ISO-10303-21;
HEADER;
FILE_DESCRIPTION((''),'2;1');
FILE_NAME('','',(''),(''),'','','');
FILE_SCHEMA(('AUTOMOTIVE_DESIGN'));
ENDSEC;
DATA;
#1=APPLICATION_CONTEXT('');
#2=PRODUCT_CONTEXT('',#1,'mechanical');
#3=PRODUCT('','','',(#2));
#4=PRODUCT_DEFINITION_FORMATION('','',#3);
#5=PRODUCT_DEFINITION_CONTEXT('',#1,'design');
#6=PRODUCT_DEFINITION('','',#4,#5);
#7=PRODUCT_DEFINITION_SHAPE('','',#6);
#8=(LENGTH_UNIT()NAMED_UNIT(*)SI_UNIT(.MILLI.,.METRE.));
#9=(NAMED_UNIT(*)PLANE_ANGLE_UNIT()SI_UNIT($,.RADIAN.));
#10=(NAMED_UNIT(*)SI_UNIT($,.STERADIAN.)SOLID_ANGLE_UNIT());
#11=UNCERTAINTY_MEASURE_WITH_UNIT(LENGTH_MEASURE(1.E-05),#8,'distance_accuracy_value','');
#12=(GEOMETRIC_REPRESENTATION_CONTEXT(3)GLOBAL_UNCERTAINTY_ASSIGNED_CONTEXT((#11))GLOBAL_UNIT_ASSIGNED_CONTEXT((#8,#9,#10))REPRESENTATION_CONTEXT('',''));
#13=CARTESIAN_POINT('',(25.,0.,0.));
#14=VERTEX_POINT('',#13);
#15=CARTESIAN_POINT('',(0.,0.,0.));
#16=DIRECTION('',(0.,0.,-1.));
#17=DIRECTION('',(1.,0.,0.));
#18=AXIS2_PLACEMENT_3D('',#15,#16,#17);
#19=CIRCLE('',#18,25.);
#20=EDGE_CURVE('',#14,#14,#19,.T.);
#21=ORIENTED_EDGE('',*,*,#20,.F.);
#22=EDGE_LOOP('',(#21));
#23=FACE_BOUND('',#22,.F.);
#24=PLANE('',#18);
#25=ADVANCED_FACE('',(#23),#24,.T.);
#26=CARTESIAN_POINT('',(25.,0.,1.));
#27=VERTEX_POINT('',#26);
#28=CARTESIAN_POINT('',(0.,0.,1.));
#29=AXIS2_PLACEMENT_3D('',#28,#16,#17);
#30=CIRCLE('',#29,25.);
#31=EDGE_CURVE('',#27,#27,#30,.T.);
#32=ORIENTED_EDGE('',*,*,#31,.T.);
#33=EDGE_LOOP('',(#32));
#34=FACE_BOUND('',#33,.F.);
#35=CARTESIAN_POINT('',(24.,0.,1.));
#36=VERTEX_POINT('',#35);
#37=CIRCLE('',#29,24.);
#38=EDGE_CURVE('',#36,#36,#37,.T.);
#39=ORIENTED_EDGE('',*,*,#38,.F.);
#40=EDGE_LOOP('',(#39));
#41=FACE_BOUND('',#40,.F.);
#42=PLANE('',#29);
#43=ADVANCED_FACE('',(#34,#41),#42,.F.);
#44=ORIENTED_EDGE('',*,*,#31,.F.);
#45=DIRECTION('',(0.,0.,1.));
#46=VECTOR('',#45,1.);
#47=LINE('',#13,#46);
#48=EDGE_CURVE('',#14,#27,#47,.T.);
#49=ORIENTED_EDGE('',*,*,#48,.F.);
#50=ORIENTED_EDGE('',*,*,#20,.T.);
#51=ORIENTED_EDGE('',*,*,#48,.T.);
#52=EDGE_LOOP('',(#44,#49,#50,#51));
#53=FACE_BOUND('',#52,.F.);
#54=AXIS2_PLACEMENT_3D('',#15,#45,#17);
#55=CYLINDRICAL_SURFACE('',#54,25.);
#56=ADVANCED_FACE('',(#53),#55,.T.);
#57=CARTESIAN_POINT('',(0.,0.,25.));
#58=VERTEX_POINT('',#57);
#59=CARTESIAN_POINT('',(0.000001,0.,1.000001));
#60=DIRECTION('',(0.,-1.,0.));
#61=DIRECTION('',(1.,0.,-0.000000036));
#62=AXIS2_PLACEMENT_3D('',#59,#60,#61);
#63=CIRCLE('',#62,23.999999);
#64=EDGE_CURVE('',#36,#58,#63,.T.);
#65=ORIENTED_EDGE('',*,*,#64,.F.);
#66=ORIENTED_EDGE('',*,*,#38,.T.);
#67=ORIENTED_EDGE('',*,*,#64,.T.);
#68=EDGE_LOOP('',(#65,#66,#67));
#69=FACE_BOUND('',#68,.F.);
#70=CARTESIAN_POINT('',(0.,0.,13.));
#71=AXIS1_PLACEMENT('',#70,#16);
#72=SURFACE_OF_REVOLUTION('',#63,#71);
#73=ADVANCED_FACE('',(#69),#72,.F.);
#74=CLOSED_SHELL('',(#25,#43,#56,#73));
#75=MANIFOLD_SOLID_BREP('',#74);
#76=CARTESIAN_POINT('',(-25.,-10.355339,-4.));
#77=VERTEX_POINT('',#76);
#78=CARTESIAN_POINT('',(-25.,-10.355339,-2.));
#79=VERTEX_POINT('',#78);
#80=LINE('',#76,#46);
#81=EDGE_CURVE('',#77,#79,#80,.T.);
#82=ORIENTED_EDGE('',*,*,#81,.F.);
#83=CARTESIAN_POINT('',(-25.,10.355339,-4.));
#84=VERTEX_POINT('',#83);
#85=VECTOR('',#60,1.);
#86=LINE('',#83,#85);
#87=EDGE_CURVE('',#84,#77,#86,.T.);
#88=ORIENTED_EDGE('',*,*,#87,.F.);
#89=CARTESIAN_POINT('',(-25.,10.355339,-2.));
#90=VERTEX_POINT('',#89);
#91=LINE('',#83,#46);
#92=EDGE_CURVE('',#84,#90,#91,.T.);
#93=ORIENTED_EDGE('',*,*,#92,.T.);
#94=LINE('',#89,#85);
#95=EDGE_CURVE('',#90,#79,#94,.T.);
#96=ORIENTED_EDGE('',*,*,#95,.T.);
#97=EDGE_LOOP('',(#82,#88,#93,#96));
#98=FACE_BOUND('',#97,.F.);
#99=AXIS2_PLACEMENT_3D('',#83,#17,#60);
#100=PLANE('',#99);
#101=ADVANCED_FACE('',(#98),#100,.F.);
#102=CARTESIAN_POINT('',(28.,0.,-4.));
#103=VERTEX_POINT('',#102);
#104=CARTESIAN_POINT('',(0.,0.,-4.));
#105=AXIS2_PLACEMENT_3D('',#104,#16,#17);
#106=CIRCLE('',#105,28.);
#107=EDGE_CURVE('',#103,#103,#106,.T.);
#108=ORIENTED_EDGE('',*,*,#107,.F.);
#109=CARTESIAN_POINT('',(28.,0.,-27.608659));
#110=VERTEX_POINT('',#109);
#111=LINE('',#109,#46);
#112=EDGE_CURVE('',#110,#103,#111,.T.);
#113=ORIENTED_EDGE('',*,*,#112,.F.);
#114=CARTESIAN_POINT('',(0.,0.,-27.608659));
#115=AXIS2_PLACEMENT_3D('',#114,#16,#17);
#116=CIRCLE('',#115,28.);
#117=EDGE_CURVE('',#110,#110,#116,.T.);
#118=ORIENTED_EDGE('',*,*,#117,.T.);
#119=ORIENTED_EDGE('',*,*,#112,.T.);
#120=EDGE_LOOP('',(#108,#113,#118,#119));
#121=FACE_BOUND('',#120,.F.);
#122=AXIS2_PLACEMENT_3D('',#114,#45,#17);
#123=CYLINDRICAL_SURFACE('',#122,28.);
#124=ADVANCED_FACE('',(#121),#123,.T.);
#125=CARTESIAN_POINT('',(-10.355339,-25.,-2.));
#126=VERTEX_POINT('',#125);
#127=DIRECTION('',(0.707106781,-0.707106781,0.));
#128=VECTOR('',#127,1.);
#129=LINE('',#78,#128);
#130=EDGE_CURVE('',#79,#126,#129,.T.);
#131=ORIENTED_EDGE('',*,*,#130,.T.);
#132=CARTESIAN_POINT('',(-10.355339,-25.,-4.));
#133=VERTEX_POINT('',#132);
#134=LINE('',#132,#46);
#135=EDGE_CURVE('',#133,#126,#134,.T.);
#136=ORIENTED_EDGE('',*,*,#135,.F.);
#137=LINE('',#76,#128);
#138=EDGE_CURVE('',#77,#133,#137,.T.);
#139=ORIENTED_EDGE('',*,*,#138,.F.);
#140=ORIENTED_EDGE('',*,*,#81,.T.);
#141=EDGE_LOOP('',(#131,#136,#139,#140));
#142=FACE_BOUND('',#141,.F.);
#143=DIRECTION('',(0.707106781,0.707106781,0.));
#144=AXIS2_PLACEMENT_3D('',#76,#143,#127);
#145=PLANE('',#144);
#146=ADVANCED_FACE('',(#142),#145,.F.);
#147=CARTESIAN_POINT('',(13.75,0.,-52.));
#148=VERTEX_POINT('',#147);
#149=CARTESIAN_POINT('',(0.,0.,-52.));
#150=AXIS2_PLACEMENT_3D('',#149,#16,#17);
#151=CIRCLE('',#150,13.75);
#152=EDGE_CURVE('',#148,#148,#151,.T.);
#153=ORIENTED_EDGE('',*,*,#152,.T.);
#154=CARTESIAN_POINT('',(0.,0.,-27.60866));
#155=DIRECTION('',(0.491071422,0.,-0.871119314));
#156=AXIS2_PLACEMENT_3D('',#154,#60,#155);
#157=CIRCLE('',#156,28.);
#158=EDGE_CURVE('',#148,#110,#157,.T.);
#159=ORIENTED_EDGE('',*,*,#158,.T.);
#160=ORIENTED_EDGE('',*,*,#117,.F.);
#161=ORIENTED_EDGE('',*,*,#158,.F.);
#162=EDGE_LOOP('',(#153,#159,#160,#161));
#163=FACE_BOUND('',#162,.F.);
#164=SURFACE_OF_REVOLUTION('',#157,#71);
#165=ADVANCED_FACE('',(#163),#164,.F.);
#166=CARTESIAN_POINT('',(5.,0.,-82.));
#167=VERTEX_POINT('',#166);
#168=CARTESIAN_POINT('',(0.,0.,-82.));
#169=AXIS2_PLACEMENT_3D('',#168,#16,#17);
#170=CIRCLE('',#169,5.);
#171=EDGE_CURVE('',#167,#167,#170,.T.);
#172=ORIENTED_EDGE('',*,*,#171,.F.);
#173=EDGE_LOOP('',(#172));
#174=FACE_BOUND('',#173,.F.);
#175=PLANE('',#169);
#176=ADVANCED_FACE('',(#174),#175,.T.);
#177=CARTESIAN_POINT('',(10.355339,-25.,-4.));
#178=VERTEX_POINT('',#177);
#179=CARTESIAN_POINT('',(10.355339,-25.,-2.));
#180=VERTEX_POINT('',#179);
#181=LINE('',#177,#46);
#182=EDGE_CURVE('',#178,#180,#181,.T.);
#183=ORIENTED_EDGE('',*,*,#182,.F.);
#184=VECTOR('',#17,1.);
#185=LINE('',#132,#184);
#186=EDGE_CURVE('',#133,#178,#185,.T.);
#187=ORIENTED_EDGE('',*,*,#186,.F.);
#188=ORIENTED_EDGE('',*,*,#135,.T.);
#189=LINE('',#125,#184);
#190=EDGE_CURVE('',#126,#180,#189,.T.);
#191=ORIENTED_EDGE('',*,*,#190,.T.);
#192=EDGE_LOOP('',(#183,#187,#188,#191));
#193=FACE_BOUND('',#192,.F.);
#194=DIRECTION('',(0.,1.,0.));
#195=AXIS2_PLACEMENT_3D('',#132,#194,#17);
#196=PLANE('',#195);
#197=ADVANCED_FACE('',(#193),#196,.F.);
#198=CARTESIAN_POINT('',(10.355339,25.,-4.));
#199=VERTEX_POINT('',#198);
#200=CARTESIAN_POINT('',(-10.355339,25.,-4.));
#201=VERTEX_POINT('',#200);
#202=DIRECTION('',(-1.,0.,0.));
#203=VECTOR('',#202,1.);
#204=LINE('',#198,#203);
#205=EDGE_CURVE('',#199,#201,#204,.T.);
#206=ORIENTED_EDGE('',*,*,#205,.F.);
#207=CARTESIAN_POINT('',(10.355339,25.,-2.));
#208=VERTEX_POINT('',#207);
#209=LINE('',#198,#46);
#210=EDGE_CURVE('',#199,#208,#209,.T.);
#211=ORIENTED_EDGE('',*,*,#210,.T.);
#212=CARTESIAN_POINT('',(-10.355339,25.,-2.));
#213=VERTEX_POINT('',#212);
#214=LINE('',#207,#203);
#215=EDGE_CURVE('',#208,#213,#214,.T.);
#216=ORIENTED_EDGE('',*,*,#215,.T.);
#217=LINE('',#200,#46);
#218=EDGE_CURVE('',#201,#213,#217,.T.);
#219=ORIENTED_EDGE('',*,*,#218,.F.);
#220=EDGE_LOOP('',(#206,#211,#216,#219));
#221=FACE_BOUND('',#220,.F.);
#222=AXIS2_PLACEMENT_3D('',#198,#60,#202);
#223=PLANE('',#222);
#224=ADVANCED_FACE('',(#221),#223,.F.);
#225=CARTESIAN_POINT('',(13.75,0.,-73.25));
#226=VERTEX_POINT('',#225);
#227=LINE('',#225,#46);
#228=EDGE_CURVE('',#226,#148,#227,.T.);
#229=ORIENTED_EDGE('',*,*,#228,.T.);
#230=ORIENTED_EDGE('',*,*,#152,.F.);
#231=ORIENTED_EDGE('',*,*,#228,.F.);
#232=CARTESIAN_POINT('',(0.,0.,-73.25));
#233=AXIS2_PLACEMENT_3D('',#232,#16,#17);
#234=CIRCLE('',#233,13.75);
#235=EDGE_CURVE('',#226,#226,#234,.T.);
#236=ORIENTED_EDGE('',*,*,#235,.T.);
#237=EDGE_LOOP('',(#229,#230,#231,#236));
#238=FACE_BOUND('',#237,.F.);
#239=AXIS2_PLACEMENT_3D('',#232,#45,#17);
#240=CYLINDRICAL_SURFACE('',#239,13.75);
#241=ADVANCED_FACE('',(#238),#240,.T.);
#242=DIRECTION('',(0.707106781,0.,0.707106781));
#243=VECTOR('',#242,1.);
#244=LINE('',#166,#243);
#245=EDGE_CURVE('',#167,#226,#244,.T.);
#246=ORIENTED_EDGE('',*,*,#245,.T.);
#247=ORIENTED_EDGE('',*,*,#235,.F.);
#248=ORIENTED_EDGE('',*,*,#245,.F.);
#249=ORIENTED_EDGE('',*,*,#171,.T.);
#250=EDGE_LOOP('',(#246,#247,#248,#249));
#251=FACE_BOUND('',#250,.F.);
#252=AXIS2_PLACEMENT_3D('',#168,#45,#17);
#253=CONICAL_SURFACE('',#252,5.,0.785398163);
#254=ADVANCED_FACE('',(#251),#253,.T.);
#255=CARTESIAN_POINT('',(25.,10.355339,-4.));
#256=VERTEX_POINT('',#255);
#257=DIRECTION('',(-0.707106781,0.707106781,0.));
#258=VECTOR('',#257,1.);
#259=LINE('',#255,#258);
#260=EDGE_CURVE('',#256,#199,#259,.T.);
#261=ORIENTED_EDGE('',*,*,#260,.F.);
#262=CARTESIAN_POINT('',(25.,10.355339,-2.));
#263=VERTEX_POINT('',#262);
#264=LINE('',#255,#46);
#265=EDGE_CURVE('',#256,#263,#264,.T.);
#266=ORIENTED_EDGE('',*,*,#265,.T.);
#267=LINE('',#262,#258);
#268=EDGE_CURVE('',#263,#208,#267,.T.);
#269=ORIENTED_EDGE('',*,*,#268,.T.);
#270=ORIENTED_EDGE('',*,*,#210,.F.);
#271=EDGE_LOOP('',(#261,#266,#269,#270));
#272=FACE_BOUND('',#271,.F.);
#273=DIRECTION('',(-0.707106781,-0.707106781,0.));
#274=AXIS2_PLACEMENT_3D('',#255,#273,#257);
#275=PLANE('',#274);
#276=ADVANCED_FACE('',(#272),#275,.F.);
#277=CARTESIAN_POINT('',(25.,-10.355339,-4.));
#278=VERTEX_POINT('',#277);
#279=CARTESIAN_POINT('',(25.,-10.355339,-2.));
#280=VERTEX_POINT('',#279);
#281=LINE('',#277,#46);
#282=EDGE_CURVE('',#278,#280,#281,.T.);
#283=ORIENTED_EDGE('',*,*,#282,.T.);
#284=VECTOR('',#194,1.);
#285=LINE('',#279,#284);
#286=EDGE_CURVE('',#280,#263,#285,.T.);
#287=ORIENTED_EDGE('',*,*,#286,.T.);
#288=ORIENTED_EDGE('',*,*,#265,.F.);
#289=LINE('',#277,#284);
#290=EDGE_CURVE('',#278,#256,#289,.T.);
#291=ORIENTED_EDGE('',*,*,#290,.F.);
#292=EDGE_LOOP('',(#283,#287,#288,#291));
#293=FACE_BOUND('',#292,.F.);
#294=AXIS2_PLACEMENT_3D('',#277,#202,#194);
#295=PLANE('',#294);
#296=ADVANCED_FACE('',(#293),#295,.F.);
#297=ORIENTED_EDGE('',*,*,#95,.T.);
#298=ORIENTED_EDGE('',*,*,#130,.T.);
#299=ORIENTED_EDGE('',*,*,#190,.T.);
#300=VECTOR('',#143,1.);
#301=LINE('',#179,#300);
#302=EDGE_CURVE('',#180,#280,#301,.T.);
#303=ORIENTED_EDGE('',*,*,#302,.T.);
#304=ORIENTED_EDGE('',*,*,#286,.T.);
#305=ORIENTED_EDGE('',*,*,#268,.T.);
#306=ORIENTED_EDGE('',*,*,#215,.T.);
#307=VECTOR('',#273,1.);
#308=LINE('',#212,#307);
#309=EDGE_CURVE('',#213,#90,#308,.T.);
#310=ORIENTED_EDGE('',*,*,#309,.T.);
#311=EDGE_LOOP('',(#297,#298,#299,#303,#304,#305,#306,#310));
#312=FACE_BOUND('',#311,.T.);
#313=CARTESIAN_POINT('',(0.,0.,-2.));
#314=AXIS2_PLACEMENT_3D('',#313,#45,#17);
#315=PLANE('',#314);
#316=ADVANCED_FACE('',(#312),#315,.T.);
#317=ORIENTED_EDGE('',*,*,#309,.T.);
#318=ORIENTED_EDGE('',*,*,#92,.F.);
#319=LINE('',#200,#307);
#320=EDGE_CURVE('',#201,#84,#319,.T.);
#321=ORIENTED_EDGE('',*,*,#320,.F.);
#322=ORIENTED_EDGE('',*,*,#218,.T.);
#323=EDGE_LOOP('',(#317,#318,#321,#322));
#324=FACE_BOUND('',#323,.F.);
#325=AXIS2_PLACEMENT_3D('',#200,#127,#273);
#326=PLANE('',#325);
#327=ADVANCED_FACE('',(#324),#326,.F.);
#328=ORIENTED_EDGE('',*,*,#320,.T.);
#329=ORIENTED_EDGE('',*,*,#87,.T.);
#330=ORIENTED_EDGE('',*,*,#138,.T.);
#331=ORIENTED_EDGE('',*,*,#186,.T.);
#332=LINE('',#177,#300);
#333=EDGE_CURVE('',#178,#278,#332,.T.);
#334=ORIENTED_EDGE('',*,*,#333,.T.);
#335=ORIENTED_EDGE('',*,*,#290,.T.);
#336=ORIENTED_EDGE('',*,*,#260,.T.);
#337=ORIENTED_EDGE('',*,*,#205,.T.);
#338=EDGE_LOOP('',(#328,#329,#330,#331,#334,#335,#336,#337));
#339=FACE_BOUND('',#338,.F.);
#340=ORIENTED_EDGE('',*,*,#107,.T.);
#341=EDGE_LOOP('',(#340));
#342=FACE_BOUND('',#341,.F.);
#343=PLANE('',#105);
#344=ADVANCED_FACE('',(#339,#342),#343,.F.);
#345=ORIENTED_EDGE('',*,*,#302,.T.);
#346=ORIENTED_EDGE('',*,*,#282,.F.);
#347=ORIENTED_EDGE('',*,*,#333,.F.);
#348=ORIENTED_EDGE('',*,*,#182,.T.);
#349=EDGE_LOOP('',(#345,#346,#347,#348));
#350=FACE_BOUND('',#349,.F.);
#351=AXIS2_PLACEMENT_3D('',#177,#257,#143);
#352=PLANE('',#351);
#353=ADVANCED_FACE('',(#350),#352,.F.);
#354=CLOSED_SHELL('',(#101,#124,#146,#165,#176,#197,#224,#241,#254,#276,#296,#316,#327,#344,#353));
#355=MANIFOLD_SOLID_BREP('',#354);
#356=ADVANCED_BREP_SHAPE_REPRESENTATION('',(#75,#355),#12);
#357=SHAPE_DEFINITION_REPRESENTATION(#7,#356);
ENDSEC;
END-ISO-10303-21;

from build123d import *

# Parameters (mm, degrees)
F3_DEPTH = 2


with BuildPart() as f1:
    # F0 (on Front) → F1 (revolve)
    with BuildSketch(Plane.XZ):
        with BuildLine():
            Line((0, 1), (0, 0))
            Line((0, 0), (25, 0))
            Line((25, 0), (25, 1))
            Line((25, 1), (24, 1))
            ThreePointArc((24, 1), (16.970563, 17.970563), (0, 25))
            Line((0, 25), (0, 1))
        make_face()
        with BuildLine():
            Line((28, -4), (0, -4))
            Line((0, -4), (0, -82))
            Line((0, -82), (5, -82))
            Line((5, -82), (13.75, -73.25))
            Line((13.75, -73.25), (13.75, -56.32651))
            Line((13.75, -56.32651), (13.75, -52))
            ThreePointArc((13.75, -52), (24.176435, -41.733106), (28, -27.608659))
            Line((28, -27.608659), (28, -4))
        make_face()
    revolve(axis=Axis((0, 0, 13), (0, 0, -1)))

    # F2 (on face) → F3 (join)
    with BuildSketch(Plane.XY.offset(-4)):
        Polygon((10.355339, 25), (-10.355339, 25), (-25, 10.355339), (-25, -10.355339), (-10.355339, -25), (10.355339, -25), (25, -10.355339), (25, 10.355339), align=None)
    extrude(amount=F3_DEPTH)


solid = f1.part
